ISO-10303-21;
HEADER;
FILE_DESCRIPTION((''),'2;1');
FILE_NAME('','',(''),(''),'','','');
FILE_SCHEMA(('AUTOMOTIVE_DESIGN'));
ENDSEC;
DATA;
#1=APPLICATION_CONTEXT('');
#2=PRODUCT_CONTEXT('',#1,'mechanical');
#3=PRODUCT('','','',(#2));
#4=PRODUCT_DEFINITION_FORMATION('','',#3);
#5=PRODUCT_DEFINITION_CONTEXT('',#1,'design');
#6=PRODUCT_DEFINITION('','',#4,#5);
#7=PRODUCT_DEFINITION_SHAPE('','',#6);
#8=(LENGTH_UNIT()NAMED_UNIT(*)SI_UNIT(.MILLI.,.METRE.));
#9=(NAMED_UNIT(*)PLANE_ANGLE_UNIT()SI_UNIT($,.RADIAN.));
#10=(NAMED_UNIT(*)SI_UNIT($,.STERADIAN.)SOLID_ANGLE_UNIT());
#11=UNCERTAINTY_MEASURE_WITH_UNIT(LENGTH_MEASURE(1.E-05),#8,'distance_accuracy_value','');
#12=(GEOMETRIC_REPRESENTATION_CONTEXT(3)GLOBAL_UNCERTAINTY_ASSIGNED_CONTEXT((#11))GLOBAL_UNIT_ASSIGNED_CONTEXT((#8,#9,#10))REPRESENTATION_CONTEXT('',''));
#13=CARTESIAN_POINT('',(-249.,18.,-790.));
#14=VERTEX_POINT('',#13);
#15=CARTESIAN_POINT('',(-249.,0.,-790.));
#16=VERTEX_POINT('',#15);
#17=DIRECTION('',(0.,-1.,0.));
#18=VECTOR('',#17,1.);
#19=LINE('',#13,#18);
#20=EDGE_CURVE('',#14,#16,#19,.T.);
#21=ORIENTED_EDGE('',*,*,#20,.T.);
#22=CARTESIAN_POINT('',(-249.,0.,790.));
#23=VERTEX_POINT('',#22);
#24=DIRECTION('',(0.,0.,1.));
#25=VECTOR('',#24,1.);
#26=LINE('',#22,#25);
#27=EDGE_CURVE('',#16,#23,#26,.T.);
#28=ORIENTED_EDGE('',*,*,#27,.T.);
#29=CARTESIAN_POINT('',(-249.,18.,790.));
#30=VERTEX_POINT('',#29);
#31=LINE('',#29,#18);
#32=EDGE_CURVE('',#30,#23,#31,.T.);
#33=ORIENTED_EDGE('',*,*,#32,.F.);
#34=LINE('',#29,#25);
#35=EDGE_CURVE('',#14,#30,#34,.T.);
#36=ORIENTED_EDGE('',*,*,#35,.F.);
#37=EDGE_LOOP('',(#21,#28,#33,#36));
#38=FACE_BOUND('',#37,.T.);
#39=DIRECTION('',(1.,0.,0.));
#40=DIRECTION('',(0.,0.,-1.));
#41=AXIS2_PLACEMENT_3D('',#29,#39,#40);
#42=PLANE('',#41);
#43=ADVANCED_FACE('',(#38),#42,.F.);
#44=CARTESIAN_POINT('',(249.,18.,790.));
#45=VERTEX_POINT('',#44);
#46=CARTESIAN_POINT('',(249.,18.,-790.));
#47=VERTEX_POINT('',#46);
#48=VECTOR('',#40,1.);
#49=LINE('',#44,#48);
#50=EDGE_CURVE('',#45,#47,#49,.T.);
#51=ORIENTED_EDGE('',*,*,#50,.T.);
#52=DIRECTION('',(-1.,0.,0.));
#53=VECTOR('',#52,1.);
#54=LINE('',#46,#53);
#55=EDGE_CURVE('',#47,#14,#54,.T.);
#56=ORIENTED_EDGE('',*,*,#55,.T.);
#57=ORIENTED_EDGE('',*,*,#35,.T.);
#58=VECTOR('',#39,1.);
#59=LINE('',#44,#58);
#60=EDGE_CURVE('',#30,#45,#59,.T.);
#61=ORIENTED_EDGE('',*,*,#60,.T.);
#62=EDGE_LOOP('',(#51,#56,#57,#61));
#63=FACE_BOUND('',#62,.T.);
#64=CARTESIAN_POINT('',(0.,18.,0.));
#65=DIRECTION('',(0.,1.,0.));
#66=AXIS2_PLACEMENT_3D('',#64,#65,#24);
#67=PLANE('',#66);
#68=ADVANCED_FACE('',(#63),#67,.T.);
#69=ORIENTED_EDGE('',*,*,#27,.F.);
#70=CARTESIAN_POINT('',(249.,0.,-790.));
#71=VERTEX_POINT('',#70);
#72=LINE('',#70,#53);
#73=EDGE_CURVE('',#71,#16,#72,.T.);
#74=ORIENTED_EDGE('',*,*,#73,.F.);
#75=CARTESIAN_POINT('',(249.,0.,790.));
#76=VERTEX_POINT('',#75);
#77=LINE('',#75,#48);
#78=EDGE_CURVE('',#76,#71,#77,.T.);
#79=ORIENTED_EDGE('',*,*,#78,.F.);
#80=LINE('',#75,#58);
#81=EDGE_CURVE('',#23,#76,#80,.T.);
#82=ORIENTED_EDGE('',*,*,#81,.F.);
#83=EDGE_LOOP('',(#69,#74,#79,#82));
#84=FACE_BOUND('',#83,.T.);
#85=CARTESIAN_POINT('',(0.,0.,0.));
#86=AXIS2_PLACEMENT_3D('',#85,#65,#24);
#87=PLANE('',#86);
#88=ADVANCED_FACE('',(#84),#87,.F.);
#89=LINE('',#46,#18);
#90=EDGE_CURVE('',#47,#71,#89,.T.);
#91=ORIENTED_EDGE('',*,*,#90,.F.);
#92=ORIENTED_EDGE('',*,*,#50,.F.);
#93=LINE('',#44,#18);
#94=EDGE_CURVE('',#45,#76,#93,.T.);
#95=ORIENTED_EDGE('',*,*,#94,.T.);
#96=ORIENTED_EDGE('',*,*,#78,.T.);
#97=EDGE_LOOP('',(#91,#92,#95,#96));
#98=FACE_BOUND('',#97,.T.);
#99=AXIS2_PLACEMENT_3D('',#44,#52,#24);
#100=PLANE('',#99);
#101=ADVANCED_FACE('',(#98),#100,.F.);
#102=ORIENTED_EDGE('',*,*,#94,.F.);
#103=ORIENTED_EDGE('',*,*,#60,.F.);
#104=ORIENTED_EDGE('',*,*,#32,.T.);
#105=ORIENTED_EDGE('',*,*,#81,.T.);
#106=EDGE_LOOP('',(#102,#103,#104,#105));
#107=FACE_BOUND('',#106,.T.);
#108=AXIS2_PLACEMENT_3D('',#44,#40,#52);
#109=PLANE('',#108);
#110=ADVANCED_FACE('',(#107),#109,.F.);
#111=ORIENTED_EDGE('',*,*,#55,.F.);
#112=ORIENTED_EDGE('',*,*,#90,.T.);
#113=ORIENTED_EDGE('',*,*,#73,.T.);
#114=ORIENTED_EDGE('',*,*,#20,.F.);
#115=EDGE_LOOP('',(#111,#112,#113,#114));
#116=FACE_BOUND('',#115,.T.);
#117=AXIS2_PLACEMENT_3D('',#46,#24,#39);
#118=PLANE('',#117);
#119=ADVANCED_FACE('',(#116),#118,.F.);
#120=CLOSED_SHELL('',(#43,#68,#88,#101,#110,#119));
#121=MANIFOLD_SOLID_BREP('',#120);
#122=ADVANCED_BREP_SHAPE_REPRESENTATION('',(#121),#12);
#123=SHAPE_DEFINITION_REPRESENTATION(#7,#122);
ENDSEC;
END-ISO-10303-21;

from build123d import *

# Parameters (mm, degrees)
SKETCH_1_W      = 498
SKETCH_1_H      = 1580
EXTRUDE_1_DEPTH = 18


with BuildPart() as part:
    # Эскиз1 → Бобышка-Вытянуть1 (new body)
    with BuildSketch(Plane(origin=(0, 0, 0), x_dir=(1, 0, 0), z_dir=(0, 1, 0))):
        Rectangle(SKETCH_1_W, SKETCH_1_H)
    extrude(amount=EXTRUDE_1_DEPTH)


solid = part.part
